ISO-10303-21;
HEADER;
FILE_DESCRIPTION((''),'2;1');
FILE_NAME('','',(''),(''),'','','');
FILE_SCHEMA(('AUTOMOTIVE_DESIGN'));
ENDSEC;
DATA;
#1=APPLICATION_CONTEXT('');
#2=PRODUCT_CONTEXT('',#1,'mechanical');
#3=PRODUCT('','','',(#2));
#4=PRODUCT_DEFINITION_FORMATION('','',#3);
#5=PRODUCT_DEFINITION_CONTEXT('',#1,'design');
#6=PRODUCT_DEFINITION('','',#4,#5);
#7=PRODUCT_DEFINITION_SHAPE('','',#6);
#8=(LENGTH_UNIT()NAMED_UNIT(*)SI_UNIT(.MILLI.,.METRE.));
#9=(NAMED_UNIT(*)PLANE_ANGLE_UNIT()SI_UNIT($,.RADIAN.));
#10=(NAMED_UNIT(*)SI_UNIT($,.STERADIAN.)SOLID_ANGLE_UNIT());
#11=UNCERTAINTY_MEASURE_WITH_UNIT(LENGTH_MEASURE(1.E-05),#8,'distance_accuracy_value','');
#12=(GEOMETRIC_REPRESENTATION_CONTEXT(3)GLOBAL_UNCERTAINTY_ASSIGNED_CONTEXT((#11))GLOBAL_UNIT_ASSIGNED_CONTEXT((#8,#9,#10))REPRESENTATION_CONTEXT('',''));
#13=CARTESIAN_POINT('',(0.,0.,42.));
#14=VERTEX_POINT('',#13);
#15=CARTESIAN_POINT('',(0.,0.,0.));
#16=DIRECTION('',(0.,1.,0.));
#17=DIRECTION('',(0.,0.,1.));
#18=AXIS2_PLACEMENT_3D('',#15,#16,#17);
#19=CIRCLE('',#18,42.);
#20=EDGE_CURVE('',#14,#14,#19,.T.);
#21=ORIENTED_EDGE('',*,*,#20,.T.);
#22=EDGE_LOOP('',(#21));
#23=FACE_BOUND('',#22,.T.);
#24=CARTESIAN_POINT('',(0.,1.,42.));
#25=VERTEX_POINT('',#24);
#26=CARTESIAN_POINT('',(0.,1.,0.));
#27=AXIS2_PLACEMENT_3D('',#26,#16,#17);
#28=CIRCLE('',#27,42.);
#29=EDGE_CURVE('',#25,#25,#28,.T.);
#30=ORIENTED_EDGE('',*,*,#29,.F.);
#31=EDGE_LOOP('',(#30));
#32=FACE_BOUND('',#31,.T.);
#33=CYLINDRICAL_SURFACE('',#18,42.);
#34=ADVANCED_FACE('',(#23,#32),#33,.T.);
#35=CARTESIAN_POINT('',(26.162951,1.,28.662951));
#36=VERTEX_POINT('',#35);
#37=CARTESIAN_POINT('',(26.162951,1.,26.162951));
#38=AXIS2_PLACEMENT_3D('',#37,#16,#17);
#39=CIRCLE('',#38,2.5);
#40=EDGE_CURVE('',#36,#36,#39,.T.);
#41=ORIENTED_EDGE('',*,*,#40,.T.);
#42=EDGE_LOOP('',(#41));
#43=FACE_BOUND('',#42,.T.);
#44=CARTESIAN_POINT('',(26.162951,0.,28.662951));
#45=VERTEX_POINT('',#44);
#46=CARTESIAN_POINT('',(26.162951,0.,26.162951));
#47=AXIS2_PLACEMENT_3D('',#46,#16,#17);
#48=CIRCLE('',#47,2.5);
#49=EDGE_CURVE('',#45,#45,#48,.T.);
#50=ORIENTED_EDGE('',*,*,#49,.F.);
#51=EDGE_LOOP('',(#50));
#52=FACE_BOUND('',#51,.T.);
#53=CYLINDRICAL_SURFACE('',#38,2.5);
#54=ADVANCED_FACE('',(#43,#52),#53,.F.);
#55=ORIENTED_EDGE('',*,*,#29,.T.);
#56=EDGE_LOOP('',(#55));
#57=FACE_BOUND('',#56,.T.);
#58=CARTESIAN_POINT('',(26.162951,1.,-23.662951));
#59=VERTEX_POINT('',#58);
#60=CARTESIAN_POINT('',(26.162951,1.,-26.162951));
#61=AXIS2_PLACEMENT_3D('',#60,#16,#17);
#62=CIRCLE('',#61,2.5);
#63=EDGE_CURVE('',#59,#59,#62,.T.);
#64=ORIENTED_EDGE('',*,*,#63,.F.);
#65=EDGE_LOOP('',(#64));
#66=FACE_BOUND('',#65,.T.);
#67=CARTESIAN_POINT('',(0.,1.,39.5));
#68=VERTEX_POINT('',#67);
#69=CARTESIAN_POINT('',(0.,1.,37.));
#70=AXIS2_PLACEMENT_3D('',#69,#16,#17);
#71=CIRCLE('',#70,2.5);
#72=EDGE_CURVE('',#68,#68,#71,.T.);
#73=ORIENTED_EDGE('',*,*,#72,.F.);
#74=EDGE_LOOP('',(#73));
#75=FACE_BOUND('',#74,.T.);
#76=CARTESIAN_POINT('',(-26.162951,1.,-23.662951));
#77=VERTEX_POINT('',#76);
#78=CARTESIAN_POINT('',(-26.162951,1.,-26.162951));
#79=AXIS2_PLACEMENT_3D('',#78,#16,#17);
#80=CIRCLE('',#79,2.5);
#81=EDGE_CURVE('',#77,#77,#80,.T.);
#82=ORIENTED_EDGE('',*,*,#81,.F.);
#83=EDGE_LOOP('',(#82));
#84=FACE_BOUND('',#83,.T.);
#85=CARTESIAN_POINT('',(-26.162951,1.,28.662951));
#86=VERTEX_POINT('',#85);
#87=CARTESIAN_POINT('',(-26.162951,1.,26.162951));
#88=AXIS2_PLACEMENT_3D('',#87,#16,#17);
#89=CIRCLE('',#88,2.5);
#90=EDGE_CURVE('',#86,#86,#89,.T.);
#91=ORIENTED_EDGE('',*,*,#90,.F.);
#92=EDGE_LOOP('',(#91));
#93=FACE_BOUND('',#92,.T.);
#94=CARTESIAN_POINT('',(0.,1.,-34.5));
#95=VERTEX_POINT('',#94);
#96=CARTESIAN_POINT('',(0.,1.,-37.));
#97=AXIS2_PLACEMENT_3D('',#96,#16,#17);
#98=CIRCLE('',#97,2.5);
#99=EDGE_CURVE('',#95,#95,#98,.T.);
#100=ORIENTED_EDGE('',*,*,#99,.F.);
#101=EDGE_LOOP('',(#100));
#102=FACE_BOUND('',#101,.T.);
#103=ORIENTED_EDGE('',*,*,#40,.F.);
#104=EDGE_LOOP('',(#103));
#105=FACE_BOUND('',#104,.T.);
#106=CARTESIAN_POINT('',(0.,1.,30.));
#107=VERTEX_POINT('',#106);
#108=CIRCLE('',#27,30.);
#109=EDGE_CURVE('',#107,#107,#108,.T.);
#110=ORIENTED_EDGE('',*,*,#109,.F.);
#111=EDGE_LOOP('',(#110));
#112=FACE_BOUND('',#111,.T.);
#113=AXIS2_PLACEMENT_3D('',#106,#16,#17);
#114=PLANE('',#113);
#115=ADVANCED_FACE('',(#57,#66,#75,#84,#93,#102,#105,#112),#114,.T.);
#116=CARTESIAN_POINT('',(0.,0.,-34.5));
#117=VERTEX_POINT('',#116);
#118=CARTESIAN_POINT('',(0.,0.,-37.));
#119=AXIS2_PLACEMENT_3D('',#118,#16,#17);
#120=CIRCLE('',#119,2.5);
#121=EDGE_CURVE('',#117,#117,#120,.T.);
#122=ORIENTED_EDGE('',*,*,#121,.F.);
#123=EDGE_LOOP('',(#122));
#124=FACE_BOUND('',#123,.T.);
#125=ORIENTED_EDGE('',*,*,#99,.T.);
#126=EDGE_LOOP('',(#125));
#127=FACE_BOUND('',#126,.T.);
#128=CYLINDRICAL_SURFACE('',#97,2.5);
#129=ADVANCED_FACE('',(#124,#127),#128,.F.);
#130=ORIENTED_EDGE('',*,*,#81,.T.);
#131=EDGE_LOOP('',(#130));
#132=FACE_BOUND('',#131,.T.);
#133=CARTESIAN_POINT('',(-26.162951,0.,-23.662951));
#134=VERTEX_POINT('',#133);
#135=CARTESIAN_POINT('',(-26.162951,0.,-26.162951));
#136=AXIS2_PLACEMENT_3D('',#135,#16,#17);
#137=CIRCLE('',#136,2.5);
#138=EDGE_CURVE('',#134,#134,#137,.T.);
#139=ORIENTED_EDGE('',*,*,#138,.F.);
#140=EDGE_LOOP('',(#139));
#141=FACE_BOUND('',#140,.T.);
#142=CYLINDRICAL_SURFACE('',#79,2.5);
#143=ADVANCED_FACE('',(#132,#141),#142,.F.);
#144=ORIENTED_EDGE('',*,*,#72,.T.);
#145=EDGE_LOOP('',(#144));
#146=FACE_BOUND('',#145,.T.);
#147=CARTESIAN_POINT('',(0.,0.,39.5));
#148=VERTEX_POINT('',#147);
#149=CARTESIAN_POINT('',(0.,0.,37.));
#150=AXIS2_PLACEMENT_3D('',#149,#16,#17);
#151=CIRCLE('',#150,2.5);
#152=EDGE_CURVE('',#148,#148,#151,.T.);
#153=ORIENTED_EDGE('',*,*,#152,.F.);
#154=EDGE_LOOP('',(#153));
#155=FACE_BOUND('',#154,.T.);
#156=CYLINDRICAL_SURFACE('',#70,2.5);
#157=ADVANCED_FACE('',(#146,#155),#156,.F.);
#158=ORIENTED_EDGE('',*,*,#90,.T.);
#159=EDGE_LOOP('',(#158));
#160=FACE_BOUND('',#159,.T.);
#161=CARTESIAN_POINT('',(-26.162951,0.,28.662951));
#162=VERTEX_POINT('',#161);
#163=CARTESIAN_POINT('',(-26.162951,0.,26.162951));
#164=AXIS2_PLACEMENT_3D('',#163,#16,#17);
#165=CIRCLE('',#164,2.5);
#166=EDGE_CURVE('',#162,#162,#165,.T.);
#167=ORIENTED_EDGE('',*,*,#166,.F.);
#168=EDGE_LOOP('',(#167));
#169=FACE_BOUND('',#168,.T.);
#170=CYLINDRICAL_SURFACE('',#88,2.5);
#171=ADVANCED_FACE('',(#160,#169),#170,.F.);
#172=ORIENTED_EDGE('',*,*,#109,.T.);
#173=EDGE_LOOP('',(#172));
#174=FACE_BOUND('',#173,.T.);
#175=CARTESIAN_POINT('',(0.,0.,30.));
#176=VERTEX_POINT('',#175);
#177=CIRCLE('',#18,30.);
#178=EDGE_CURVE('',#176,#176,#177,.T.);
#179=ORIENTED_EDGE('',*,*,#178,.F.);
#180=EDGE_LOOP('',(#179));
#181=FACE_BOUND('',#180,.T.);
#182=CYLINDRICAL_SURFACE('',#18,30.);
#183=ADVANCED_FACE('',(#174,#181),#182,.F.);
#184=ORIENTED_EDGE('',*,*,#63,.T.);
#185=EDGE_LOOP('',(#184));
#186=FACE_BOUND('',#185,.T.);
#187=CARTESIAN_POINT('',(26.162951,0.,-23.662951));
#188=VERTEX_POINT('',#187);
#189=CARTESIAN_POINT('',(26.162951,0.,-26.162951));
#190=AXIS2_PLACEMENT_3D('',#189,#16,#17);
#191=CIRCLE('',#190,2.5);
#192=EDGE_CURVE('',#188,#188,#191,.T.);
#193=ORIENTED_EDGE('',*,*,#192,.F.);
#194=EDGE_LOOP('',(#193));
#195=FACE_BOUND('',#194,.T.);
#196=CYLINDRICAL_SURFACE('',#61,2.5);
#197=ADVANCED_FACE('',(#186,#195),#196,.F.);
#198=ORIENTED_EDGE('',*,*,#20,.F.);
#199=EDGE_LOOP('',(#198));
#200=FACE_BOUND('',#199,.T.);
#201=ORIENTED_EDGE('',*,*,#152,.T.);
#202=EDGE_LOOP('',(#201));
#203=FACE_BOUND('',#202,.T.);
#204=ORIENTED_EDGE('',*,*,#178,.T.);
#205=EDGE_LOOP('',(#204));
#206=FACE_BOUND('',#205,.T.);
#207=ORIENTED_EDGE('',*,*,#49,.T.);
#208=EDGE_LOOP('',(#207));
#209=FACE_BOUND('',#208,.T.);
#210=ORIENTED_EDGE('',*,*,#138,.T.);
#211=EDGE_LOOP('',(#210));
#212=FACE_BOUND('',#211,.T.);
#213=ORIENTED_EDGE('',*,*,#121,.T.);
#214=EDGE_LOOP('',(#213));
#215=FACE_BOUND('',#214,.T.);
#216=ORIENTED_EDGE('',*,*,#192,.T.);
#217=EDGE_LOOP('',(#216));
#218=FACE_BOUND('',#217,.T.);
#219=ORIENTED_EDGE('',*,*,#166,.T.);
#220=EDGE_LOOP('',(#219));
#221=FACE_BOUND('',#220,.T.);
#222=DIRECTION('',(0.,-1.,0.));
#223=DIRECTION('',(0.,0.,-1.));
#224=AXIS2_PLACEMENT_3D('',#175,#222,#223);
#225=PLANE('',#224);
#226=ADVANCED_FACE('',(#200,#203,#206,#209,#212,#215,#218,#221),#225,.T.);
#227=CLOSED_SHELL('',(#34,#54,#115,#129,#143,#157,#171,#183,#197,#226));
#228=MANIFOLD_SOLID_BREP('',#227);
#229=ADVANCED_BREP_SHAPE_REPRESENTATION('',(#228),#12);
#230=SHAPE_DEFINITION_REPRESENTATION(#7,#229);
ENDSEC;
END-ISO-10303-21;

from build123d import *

# Parameters (mm, degrees)
ESQUISSE1_W                   = 12
ESQUISSE1_H                   = 1
DIAM_TRE_DU_PER_AGE_5_0_5_1_D = 5
DIAM_TRE_DU_PER_AGE_5_0_5_2_D = 5
R_P_TITION_CIRCULAIRE1_COUNT  = 4


with BuildPart() as part:
    # Esquisse1 → Révolution1 (revolve)
    with BuildSketch(Plane(origin=(0, 0, 0), x_dir=(0, 0, -1), z_dir=(1, 0, 0))):
        with Locations((-36, 0.5)):
            Rectangle(ESQUISSE1_W, ESQUISSE1_H)
    revolve(axis=Axis((0, 0, 0), (0, -1, 0)))

    # Diamètre du perçage Ø5.0 (5)1 (through all)
    with Locations(Plane(origin=(0, 1, 0), x_dir=(1, 0, 0), z_dir=(0, 1, 0))):
        with Locations((0, 37), (0, -37)):
            Hole(DIAM_TRE_DU_PER_AGE_5_0_5_1_D / 2)

    # Diamètre du perçage Ø5.0 (5)2 (through all)
    with Locations(Plane(origin=(0, 1, 0), x_dir=(1, 0, 0), z_dir=(0, 1, 0))):
        with Locations((-26.162950904, 26.162950904)):
            diam_tre_du_per_age_5_0_5_2 = Hole(DIAM_TRE_DU_PER_AGE_5_0_5_2_D / 2)

    # Répétition circulaire1: Diamètre du perçage Ø5.0 (5)2 ×4 about axis
    r_p_tition_circulaire1_axis = Axis((0, 0, 0), (0, 1, 0))
    for i in range(1, R_P_TITION_CIRCULAIRE1_COUNT):
        add(diam_tre_du_per_age_5_0_5_2.rotate(r_p_tition_circulaire1_axis, i * 360 / R_P_TITION_CIRCULAIRE1_COUNT), mode=Mode.SUBTRACT)


solid = part.part
